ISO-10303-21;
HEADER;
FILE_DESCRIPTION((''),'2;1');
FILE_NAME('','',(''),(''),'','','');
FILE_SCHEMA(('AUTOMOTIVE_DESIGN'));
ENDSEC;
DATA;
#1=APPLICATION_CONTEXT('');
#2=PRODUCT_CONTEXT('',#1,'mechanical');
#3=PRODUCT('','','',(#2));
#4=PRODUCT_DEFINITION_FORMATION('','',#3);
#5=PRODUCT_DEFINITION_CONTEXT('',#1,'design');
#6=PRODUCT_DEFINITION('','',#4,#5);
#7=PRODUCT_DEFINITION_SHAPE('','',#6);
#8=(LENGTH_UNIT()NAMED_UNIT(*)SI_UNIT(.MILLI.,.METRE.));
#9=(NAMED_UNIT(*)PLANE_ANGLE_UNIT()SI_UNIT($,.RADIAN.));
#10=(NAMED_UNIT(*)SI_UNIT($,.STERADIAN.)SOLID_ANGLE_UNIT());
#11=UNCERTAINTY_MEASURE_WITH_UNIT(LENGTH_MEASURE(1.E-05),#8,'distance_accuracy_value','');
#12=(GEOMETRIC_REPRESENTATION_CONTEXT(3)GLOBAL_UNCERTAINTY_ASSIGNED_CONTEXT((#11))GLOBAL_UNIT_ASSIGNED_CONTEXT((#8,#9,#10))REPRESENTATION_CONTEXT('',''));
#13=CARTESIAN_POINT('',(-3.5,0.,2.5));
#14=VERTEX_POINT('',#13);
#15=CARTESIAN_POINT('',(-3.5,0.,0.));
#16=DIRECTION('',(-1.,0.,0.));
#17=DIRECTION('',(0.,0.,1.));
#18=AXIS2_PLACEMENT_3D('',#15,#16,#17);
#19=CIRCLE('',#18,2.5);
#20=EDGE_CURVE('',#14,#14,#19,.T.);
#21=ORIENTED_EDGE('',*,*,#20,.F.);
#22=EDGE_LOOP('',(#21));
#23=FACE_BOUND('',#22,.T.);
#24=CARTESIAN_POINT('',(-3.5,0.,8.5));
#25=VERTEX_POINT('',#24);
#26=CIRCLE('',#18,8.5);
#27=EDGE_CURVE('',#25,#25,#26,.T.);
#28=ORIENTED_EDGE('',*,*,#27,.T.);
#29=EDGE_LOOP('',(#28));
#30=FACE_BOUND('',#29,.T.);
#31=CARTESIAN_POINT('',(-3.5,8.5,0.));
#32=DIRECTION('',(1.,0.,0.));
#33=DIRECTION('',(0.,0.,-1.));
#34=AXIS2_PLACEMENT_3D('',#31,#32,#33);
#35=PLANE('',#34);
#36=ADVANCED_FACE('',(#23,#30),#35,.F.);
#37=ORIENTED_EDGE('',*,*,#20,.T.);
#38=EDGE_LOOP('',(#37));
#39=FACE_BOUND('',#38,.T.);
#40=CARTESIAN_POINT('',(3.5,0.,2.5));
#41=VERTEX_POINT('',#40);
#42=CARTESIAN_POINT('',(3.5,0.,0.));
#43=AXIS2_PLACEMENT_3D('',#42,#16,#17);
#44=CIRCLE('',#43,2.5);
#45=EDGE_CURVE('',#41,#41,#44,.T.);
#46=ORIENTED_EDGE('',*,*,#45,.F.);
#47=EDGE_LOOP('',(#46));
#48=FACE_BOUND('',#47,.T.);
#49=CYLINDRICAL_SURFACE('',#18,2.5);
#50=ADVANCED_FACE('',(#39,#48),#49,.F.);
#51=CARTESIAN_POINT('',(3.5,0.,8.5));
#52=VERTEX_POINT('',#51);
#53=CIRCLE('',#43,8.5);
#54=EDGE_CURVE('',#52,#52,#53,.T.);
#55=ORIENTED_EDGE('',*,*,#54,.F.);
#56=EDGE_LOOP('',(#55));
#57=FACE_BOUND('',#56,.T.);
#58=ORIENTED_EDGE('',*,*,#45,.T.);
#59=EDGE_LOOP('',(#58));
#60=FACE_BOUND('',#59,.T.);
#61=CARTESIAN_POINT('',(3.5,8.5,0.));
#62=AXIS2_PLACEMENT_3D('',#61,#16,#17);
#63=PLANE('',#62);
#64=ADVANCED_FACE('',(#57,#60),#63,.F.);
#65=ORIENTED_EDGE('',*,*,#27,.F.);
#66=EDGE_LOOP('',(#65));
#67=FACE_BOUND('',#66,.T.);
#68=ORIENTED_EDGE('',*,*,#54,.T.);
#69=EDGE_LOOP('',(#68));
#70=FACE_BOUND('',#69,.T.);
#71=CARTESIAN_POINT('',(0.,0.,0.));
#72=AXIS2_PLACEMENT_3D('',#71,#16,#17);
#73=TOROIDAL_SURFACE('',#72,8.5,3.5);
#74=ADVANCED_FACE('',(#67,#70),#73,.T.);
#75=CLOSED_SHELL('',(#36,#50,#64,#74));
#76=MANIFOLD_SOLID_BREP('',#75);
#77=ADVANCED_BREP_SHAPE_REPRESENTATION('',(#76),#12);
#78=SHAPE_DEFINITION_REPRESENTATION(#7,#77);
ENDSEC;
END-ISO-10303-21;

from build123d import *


with BuildPart() as part:
    # 草图1 → 旋转1 (revolve)
    with BuildSketch(Plane.XY, mode=Mode.PRIVATE) as revolve_1_sk:
        with BuildLine():
            Line((-3.5, 2.5), (3.5, 2.5))
            Line((3.5, 2.5), (3.5, 8.5))
            ThreePointArc((3.5, 8.5), (0, 12), (-3.5, 8.5))
            Line((-3.5, 8.5), (-3.5, 2.5))
        make_face()
    revolve(revolve_1_sk.sketch.rotate(Axis((-3.5, 0, 0), (1, 0, 0)), 90), axis=Axis((-3.5, 0, 0), (1, 0, 0)))


solid = part.part
